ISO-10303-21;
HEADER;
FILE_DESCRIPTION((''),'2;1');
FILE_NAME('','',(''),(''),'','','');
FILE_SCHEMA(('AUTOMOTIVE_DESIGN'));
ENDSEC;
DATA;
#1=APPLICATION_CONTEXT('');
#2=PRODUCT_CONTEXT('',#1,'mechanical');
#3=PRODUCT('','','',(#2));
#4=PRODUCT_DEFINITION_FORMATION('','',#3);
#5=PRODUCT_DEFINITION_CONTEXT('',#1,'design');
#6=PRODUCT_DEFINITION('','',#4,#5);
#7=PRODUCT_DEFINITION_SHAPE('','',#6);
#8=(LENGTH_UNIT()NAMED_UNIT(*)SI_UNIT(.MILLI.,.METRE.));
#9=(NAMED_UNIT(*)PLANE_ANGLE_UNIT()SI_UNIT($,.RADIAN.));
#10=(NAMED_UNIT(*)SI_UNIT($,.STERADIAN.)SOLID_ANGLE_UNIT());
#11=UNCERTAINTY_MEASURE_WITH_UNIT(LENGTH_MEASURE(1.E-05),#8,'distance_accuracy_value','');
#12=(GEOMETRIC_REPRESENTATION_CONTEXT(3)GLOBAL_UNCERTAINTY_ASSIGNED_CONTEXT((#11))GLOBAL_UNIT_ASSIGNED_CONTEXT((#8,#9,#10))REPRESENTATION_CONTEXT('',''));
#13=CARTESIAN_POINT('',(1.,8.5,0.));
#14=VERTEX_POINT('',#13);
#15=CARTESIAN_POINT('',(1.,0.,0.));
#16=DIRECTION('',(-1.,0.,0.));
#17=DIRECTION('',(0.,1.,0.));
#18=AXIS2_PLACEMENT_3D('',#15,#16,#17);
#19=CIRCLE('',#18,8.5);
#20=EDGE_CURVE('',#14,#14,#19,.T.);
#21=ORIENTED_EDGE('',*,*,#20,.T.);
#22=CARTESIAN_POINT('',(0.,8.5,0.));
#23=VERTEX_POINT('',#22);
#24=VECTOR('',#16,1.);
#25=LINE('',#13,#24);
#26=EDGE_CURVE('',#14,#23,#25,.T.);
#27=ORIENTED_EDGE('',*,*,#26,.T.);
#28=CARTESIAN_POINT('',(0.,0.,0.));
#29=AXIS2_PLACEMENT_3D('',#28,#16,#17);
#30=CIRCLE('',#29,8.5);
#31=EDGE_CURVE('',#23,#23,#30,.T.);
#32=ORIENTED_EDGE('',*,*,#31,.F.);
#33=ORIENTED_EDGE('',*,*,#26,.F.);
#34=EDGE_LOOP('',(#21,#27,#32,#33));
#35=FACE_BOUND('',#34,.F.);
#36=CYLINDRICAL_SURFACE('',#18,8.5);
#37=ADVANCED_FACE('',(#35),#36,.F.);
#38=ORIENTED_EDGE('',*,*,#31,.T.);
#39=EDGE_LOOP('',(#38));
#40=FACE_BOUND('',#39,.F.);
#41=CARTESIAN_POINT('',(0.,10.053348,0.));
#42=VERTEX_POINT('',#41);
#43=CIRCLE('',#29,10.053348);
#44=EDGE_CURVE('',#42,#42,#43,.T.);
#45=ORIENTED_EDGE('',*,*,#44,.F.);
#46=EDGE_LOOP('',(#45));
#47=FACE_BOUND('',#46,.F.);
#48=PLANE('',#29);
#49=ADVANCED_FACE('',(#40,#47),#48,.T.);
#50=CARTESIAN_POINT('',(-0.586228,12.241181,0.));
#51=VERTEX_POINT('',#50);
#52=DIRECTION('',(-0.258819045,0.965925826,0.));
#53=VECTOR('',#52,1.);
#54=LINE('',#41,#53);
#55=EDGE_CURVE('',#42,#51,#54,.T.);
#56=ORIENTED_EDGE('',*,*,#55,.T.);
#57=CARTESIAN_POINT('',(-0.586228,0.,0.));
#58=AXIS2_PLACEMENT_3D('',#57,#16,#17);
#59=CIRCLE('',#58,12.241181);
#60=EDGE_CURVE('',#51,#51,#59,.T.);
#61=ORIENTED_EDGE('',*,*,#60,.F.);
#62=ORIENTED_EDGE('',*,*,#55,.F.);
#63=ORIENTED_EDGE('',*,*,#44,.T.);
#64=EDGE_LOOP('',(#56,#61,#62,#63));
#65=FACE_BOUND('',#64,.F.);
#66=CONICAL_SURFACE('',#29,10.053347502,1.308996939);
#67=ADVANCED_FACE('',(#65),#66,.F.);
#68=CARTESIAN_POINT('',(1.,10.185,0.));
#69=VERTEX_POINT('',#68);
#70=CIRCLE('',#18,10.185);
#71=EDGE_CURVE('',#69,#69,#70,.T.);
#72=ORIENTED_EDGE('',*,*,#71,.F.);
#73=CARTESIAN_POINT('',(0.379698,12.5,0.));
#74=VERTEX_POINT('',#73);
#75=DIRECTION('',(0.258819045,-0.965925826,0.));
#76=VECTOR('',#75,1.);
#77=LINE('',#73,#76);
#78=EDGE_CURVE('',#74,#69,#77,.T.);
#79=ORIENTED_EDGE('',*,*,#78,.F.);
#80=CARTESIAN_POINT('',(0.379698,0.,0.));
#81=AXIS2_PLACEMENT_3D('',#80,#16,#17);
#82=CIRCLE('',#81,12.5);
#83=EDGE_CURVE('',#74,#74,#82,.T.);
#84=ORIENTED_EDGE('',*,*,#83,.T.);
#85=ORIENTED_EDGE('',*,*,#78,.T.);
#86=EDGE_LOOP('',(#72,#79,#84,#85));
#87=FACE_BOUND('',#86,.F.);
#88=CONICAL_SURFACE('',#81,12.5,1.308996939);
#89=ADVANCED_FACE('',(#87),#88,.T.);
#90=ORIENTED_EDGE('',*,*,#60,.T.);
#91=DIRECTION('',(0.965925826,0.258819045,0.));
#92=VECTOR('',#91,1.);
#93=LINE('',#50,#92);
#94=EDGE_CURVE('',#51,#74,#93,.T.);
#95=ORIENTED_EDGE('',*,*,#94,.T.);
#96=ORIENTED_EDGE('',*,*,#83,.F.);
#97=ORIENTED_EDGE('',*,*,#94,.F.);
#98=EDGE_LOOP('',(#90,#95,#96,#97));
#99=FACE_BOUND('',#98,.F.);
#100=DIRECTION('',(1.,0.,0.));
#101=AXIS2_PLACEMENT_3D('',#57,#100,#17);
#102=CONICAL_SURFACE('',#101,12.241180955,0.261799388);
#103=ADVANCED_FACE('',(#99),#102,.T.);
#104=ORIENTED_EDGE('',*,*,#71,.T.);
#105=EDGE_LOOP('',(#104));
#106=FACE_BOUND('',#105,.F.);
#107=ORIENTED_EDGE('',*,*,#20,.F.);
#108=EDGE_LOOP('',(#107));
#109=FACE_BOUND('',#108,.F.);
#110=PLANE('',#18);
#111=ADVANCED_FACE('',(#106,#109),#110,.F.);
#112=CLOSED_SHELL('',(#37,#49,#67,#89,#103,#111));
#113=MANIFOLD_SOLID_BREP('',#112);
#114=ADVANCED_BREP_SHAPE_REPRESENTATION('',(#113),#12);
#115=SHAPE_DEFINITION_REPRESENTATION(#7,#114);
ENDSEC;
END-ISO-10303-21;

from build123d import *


with BuildPart() as part:
    # Sketch1 → Revolve1 (revolve)
    with BuildSketch(Plane.XY):
        Polygon((1, 8.5), (0, 8.5), (0, 10.053347502), (-0.586228207, 12.241180955), (0.37969762, 12.5), (1, 10.185), align=None)
    revolve(axis=Axis((1, 0, 0), (-1, 0, 0)))


solid = part.part
